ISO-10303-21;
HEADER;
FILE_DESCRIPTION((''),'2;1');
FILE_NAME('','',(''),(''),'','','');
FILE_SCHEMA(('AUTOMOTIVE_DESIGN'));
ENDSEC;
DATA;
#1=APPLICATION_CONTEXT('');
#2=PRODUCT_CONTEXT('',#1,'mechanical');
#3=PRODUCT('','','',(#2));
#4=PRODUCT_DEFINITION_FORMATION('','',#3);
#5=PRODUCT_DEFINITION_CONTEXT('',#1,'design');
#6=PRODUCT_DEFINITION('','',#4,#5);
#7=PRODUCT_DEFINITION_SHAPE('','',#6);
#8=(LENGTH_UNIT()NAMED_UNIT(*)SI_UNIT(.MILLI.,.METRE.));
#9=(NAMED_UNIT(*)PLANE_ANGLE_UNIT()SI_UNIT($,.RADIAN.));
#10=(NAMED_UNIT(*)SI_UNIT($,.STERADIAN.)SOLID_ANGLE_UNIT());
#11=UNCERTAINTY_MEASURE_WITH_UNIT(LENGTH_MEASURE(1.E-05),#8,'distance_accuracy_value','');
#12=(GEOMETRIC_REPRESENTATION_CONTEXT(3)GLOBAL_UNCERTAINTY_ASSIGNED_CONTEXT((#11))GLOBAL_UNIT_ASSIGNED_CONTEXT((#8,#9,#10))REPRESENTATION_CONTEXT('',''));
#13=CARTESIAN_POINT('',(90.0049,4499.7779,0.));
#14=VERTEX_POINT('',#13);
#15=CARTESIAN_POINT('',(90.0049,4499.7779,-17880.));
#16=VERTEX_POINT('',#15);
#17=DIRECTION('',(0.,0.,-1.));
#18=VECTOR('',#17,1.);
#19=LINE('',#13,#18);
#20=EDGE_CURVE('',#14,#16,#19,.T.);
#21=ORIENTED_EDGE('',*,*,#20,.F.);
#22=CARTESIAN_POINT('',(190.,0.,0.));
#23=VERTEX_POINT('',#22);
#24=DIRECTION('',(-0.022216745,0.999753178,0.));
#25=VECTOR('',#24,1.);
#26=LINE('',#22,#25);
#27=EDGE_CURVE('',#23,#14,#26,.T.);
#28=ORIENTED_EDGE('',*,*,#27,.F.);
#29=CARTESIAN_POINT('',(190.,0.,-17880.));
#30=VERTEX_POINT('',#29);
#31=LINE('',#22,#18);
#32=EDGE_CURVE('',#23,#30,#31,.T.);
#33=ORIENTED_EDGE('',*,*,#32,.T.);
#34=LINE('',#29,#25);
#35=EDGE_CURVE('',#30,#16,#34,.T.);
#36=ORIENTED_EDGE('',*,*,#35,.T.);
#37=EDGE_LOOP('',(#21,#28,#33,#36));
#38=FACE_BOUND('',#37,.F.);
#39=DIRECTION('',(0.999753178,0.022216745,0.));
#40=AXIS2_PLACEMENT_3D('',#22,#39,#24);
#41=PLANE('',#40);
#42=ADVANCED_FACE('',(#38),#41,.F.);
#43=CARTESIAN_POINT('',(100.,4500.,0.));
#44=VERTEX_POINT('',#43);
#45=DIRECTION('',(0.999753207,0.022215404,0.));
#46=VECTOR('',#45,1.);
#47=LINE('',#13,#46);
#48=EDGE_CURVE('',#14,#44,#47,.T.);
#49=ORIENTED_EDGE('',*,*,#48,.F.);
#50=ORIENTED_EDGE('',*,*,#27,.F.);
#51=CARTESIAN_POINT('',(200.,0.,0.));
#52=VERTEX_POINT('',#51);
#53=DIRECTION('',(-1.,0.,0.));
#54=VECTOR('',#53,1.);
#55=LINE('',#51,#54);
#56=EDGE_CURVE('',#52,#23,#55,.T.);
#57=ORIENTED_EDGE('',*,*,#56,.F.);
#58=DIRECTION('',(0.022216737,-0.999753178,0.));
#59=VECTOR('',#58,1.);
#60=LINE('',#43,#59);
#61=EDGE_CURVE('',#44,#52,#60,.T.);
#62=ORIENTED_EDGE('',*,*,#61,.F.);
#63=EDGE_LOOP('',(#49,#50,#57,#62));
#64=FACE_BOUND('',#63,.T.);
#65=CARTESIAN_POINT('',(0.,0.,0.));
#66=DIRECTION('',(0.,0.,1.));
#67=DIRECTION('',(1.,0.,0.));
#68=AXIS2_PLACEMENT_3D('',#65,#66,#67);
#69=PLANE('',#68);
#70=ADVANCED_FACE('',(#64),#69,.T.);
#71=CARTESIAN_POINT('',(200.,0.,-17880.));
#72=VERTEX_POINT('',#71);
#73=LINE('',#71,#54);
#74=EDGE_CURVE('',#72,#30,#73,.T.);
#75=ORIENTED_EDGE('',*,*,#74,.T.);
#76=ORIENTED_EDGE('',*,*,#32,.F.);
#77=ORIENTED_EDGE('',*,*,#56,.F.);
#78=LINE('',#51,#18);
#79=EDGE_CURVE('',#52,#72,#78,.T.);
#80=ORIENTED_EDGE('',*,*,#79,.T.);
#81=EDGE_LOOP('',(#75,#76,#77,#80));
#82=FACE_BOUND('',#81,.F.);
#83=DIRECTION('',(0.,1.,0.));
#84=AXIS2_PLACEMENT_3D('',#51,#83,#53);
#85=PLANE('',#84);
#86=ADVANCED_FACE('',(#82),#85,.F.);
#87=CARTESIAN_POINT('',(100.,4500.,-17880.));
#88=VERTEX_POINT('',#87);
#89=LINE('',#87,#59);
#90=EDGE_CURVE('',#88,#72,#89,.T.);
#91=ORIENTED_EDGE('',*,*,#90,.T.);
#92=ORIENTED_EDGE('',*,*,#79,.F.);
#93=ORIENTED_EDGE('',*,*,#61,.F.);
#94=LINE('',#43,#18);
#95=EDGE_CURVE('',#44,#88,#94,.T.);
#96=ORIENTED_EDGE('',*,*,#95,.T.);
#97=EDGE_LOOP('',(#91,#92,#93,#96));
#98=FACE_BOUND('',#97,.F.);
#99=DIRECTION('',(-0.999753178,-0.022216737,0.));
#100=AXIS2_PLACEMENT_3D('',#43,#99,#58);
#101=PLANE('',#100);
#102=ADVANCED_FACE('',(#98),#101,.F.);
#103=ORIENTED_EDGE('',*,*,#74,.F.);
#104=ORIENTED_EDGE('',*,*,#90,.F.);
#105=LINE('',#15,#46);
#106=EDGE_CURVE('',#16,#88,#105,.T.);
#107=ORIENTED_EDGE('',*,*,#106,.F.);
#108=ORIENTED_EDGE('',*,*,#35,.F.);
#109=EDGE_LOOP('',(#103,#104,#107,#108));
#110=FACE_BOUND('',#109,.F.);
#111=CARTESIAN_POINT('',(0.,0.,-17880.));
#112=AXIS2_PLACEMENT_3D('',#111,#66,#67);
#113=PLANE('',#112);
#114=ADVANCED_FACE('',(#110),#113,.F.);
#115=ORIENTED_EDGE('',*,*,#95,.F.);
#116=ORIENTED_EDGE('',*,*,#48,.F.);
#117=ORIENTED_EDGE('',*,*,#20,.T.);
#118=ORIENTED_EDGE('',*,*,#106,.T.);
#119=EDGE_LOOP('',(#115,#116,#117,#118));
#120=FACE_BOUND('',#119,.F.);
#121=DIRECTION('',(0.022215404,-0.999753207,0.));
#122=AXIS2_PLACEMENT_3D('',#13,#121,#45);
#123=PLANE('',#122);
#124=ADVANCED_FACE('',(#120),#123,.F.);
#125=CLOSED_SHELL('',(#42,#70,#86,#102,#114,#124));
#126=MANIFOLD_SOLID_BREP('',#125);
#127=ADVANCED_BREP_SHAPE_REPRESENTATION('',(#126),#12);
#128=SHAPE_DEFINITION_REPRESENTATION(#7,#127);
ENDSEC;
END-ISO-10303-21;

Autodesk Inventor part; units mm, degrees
ref_plane "YZ Plane" through (0, 0, 0) normal (1, 0, 0) x (0, 1, 0)
ref_plane "XZ Plane" through (0, 0, 0) normal (0, 1, 0) x (-1, 0, 0)
ref_plane "XY Plane" through (0, 0, 0) normal (0, 0, 1) x (1, 0, 0)
sketch "Sketch1" plane through (0, 0, 0) normal (0, 0, 1) x (1, 0, 0)
  line L0 (200, 0) -> (190, 0)
  line L1 (190, 0) -> (90.0049, 4499.7779)
  line L2 (90.0049, 4499.7779) -> (100, 4500)
  line L3 (100, 4500) -> (200, 0)
  line L4 (0, 4500) -> (0, 0)
  dimension "d0" = 10
  dimension "d2" = 4500
  dimension "d5" = 100
  dimension "d17" = 200
extrude "Extrusion1" add sketch "Sketch1" against normal blind 17880
sketch "Sketch2" plane through (0, 0, 0) normal (1, 0, 0) x (0, 1, 0)
  point P0 (0, 0)
sketch "Sketch3" plane through (200, 0, 0) normal (0.9998, 0.0222, 0) x (0, 0, -1)
  line L0 (0, 0) -> (0, 4501.111) projected
  line L1 (0, 0) -> (17880, 0) projected
  line L2 (17880, 4501.111) -> (17880, 0) projected
  line L3 (0, 4501.111) -> (17880, 4501.111)
  line L4 (0, 1500) -> (18000, 1500)
  line L5 (0, 3001.111) -> (18000, 3001.111)
  line L6 (1500, 3001.111) -> (1500, 1500)
  line L7 (0, 4501.111) -> (17880, 4501.111) projected
  line L8 (2980, 4501.111) -> (2980, 3001.111)
  line L9 (2980, 1500) -> (2980, 0)
  line L10 (5960, 4501.111) -> (5960, 3001.111)
  line L11 (4480, 3001.111) -> (4480, 1500)
  line L12 (5960, 1500) -> (5960, 0)
  line L13 (8940, 4501.111) -> (8940, 3001.111)
  line L14 (7460, 3001.111) -> (7460, 1500)
  line L15 (8940, 1500) -> (8940, 0)
  line L16 (11920, 4501.111) -> (11920, 3001.111)
  line L17 (10440, 3001.111) -> (10440, 1500)
  line L18 (11920, 1500) -> (11920, 0)
  line L19 (14900, 4501.111) -> (14900, 3001.111)
  line L20 (13420, 3001.111) -> (13420, 1500)
  line L21 (14900, 1500) -> (14900, 0)
  line L22 (17880, 4501.111) -> (17880, 3001.111)
  line L23 (16400, 3001.111) -> (16400, 1500)
  line L24 (17880, 1500) -> (17880, 0)
  point P0 (0, 4.4433)
  dimension "d6" = 2980
  dimension "d7" = 1500
  dimension "d8" = 1500
  dimension "d9" = 1500
  dimension "d12" = 2980
equation "\"d12\" = d6"
properties part number "GBK-Dummy wall1"
